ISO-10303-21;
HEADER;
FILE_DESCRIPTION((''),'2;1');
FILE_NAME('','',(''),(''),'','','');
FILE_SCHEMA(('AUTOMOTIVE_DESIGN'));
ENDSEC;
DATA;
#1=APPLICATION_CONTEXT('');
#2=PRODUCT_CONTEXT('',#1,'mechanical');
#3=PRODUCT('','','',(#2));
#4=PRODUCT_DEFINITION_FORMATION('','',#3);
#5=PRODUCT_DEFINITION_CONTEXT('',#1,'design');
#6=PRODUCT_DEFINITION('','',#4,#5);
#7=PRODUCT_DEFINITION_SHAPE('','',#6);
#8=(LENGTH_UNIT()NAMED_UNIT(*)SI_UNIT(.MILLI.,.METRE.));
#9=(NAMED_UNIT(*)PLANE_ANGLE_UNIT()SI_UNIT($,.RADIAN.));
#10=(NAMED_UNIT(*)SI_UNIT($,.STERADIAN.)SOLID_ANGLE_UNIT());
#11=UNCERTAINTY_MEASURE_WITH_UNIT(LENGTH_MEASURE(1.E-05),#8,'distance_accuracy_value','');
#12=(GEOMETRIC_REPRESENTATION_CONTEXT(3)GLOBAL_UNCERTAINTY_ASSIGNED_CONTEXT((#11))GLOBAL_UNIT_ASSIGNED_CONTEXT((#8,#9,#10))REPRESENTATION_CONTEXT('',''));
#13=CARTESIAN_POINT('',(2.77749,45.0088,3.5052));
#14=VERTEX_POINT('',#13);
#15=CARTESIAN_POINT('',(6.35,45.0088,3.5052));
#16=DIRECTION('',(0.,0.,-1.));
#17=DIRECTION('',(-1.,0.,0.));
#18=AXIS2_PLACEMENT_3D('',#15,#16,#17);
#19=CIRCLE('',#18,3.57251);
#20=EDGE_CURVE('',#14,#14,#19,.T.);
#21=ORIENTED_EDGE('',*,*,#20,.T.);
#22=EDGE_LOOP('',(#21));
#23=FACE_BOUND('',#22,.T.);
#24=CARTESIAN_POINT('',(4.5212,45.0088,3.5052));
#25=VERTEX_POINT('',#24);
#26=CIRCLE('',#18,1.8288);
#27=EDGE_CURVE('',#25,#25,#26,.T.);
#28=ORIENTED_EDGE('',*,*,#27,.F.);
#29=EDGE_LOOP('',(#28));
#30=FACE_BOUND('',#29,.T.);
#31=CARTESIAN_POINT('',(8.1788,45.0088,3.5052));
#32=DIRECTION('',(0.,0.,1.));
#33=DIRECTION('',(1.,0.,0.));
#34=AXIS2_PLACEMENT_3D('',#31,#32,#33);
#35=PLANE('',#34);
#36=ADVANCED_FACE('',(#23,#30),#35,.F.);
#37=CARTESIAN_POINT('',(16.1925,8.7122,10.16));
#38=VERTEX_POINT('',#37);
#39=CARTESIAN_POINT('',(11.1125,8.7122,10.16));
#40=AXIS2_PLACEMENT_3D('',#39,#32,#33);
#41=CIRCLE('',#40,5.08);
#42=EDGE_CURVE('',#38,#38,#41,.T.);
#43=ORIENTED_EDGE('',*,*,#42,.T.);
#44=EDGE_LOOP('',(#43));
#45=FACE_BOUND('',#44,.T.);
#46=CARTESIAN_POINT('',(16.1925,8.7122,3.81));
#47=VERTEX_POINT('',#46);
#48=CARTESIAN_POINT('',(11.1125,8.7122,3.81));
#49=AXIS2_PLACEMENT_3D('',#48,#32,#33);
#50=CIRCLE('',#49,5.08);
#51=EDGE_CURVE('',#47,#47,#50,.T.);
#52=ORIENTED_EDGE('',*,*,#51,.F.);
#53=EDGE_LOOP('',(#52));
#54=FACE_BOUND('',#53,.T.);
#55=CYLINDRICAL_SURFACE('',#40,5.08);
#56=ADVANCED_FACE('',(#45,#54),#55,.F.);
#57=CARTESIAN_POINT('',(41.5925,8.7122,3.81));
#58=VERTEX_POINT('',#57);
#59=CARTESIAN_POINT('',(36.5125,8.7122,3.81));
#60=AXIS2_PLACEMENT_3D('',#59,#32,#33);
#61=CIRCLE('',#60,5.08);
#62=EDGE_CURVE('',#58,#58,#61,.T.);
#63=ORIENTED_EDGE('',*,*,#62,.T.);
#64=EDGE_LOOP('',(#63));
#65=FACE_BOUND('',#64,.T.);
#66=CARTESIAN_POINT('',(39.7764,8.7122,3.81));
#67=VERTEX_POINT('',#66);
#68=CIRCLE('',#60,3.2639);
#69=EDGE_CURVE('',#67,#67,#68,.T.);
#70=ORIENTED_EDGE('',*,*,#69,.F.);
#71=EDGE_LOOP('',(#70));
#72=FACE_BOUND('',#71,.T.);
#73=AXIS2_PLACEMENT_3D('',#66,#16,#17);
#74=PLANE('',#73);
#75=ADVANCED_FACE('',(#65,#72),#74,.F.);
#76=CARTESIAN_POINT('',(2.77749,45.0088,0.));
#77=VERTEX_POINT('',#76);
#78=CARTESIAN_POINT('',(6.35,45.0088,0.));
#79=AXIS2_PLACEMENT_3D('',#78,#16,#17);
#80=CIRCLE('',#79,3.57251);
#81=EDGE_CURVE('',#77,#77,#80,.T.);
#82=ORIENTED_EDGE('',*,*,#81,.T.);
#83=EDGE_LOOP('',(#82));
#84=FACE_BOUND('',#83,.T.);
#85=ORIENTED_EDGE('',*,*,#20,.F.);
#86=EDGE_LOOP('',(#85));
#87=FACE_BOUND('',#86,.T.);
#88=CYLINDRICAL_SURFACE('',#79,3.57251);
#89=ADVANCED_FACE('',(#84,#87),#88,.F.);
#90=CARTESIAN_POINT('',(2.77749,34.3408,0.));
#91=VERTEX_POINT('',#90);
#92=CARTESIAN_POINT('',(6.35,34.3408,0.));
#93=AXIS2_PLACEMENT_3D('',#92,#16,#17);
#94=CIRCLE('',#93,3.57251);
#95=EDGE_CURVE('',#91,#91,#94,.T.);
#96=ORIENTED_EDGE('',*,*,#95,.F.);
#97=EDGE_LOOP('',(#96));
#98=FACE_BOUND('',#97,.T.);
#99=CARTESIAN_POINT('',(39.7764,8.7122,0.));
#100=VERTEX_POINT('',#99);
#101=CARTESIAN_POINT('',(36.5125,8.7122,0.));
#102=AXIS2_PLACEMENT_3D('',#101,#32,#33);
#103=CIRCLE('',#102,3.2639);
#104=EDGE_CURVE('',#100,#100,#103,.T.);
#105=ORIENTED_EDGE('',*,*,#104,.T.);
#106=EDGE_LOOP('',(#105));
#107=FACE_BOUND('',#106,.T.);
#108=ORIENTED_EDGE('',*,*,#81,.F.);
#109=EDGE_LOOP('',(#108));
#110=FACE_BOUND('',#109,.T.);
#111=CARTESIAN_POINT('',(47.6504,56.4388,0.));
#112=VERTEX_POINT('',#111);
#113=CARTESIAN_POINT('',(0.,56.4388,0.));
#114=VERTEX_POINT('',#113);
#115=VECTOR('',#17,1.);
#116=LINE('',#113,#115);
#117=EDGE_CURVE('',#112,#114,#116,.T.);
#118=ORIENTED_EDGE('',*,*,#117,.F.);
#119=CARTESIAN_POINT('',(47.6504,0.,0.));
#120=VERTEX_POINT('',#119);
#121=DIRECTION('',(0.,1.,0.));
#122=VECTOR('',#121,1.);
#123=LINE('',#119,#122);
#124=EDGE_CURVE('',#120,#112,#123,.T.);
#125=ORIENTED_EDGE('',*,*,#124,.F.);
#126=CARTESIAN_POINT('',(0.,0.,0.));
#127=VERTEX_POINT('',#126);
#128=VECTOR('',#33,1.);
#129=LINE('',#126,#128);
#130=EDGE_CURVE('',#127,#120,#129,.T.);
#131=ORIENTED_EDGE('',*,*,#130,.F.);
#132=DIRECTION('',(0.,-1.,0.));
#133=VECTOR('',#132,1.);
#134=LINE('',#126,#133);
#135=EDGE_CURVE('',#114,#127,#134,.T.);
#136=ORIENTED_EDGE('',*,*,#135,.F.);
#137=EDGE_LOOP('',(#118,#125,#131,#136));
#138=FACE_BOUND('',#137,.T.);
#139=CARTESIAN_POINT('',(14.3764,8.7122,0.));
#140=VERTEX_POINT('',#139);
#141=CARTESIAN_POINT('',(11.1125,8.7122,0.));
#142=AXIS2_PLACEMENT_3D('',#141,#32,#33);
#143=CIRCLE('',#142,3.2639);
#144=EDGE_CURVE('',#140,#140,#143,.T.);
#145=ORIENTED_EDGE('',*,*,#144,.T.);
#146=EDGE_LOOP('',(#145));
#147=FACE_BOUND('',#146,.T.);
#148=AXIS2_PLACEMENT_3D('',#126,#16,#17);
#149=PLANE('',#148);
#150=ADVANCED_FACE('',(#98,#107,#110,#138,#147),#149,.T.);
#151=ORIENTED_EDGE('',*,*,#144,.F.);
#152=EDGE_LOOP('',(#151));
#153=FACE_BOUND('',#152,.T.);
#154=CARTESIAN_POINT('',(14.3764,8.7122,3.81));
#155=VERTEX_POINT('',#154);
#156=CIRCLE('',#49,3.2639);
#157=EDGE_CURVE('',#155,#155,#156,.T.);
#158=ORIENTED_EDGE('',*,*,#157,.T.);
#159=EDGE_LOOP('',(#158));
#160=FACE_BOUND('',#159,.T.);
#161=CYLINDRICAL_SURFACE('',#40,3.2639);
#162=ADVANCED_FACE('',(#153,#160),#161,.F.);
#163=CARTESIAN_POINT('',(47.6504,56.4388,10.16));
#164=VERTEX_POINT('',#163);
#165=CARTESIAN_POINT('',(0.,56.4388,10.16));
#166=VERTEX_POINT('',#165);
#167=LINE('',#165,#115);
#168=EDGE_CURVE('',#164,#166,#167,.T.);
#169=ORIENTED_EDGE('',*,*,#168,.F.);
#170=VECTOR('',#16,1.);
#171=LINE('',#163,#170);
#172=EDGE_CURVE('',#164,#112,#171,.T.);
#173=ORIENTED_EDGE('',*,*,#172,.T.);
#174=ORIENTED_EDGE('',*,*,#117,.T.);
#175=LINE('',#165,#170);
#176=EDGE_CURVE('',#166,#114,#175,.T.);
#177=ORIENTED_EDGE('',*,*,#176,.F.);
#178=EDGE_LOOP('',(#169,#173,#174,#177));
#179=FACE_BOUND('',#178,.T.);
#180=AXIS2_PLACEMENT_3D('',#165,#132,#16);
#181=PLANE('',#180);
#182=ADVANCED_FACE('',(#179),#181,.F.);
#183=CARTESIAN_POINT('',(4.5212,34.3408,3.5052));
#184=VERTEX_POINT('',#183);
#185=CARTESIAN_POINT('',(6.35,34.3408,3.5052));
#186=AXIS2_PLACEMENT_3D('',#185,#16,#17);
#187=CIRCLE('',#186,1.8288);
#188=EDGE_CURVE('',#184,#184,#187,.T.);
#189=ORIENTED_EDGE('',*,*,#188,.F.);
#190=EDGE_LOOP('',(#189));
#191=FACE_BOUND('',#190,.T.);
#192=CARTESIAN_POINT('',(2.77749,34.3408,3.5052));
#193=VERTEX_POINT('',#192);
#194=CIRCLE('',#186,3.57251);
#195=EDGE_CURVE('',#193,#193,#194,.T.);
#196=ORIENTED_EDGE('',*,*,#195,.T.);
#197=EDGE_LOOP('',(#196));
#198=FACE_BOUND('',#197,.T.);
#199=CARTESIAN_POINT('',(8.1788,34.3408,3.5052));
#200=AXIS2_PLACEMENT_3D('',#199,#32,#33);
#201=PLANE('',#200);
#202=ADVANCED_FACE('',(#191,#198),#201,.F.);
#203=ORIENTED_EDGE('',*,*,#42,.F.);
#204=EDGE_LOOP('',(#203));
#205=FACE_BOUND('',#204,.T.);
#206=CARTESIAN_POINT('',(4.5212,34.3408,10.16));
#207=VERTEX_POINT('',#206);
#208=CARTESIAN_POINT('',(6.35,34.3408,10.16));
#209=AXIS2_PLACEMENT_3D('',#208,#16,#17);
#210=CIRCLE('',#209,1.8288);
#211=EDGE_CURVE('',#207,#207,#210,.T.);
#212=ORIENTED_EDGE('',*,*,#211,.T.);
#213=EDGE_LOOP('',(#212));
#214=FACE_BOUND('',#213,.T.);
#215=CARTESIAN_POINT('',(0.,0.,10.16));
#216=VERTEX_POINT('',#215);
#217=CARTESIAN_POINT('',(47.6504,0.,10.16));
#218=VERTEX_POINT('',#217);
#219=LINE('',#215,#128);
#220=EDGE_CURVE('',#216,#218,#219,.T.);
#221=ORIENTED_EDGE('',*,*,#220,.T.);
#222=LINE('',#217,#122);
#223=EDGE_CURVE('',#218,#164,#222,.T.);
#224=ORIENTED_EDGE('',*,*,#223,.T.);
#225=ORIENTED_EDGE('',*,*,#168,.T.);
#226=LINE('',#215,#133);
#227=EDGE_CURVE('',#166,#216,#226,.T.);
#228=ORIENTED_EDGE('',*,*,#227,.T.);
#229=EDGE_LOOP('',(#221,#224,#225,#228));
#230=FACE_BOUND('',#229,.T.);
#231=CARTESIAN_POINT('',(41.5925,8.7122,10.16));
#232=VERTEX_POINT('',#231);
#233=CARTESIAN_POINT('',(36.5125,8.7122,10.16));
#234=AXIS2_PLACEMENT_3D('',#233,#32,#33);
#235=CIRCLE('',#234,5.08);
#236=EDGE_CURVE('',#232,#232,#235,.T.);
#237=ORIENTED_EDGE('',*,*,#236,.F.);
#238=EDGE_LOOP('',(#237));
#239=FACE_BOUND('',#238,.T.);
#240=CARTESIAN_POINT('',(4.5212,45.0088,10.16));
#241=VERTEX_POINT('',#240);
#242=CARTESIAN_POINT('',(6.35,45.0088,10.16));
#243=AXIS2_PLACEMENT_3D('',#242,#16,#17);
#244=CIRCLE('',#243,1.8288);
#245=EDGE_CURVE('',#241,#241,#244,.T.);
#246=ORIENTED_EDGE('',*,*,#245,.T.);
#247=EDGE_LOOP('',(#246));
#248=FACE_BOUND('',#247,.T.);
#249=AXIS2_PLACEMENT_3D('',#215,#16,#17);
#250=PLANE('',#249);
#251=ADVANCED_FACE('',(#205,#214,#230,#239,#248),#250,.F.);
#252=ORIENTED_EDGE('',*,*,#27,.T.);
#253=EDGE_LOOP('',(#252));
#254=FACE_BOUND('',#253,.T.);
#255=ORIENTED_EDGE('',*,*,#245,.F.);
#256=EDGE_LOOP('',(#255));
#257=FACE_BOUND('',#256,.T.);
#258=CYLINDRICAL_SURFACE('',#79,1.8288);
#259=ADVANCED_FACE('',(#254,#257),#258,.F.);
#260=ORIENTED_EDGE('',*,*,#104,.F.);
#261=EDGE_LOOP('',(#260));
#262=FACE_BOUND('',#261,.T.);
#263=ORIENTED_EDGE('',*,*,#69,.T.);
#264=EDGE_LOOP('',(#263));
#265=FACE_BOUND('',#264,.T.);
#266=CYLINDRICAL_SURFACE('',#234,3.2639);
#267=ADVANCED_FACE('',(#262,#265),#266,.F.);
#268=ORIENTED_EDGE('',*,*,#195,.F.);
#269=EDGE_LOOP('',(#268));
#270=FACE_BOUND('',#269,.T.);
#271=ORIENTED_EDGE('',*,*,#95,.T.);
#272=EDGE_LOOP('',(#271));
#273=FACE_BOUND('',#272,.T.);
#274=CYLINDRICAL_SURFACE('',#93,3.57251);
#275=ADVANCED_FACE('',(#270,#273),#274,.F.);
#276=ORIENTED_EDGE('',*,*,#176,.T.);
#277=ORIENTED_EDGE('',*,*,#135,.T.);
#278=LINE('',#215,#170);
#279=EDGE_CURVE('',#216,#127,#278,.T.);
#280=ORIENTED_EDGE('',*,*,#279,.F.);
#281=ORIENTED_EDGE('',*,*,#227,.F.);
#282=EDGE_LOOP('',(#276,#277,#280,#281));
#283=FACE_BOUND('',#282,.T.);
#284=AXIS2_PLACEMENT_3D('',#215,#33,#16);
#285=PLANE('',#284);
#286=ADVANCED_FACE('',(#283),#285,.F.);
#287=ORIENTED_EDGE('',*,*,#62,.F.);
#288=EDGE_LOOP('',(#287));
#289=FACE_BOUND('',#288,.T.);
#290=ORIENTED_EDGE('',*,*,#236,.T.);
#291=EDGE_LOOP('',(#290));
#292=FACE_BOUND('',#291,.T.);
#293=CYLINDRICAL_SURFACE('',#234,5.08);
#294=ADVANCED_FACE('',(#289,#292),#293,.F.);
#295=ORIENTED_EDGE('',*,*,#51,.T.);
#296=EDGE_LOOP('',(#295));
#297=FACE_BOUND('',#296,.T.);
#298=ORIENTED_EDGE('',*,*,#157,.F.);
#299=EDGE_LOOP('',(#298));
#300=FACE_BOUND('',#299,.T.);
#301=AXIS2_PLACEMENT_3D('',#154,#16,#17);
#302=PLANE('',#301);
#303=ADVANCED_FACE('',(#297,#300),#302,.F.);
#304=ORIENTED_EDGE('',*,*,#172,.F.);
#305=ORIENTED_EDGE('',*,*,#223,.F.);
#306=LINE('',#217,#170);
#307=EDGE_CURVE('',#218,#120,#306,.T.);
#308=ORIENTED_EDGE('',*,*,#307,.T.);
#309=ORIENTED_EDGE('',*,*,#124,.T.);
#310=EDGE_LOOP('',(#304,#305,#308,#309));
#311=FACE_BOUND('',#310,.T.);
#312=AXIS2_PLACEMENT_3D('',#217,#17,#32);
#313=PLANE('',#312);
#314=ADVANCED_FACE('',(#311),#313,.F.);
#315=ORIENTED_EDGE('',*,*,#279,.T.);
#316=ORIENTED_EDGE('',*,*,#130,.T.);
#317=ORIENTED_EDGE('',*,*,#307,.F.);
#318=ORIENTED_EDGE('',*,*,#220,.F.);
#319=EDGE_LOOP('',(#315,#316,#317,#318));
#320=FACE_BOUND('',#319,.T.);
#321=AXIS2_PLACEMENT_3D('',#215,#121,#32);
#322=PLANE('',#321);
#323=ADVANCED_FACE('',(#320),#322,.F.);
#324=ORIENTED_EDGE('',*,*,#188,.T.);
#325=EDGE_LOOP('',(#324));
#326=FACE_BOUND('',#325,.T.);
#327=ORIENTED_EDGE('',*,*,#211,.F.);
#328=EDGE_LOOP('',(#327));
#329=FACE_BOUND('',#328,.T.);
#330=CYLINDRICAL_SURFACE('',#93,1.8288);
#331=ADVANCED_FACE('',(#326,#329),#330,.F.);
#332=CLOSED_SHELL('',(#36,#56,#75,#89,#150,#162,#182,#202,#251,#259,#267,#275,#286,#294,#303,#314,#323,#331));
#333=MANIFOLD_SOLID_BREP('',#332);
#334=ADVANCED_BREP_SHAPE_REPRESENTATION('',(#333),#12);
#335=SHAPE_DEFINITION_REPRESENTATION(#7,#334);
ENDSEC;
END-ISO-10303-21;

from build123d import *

# Parameters (mm, degrees)
SKETCH1_W                                        = 47.6504
SKETCH1_H                                        = 56.4388
BOSS_EXTRUDE1_DEPTH                              = 10.16
CBORE_FOR_1_4_BUTTON_HEAD_CAP_SCREW1_D           = 6.5278
CBORE_FOR_1_4_BUTTON_HEAD_CAP_SCREW1_CBORE_D     = 10.16
CBORE_FOR_1_4_BUTTON_HEAD_CAP_SCREW1_CBORE_DEPTH = 6.35
CBORE_FOR_6_SOCKET_HEAD_CAP_SCREW1_D             = 3.6576
CBORE_FOR_6_SOCKET_HEAD_CAP_SCREW1_CBORE_D       = 7.14502
CBORE_FOR_6_SOCKET_HEAD_CAP_SCREW1_CBORE_DEPTH   = 3.5052


with BuildPart() as part:
    # Sketch1 → Boss-Extrude1 (new body)
    with BuildSketch(Plane.XY):
        with Locations((23.8252, 28.2194)):
            Rectangle(SKETCH1_W, SKETCH1_H)
    extrude(amount=BOSS_EXTRUDE1_DEPTH)

    # CBORE for 1/4 Button Head Cap Screw1 (through all)
    with Locations(Plane.XY.offset(10.16)):
        with Locations((36.5125, 8.7122), (11.1125, 8.7122)):
            CounterBoreHole(CBORE_FOR_1_4_BUTTON_HEAD_CAP_SCREW1_D / 2, CBORE_FOR_1_4_BUTTON_HEAD_CAP_SCREW1_CBORE_D / 2, CBORE_FOR_1_4_BUTTON_HEAD_CAP_SCREW1_CBORE_DEPTH)

    # CBORE for #6 Socket Head Cap Screw1 (through all)
    with Locations(Plane(origin=(0, 0, 0), x_dir=(-1, 0, 0), z_dir=(0, 0, -1))):
        with Locations((-6.35, 34.3408), (-6.35, 45.0088)):
            CounterBoreHole(CBORE_FOR_6_SOCKET_HEAD_CAP_SCREW1_D / 2, CBORE_FOR_6_SOCKET_HEAD_CAP_SCREW1_CBORE_D / 2, CBORE_FOR_6_SOCKET_HEAD_CAP_SCREW1_CBORE_DEPTH)


solid = part.part
